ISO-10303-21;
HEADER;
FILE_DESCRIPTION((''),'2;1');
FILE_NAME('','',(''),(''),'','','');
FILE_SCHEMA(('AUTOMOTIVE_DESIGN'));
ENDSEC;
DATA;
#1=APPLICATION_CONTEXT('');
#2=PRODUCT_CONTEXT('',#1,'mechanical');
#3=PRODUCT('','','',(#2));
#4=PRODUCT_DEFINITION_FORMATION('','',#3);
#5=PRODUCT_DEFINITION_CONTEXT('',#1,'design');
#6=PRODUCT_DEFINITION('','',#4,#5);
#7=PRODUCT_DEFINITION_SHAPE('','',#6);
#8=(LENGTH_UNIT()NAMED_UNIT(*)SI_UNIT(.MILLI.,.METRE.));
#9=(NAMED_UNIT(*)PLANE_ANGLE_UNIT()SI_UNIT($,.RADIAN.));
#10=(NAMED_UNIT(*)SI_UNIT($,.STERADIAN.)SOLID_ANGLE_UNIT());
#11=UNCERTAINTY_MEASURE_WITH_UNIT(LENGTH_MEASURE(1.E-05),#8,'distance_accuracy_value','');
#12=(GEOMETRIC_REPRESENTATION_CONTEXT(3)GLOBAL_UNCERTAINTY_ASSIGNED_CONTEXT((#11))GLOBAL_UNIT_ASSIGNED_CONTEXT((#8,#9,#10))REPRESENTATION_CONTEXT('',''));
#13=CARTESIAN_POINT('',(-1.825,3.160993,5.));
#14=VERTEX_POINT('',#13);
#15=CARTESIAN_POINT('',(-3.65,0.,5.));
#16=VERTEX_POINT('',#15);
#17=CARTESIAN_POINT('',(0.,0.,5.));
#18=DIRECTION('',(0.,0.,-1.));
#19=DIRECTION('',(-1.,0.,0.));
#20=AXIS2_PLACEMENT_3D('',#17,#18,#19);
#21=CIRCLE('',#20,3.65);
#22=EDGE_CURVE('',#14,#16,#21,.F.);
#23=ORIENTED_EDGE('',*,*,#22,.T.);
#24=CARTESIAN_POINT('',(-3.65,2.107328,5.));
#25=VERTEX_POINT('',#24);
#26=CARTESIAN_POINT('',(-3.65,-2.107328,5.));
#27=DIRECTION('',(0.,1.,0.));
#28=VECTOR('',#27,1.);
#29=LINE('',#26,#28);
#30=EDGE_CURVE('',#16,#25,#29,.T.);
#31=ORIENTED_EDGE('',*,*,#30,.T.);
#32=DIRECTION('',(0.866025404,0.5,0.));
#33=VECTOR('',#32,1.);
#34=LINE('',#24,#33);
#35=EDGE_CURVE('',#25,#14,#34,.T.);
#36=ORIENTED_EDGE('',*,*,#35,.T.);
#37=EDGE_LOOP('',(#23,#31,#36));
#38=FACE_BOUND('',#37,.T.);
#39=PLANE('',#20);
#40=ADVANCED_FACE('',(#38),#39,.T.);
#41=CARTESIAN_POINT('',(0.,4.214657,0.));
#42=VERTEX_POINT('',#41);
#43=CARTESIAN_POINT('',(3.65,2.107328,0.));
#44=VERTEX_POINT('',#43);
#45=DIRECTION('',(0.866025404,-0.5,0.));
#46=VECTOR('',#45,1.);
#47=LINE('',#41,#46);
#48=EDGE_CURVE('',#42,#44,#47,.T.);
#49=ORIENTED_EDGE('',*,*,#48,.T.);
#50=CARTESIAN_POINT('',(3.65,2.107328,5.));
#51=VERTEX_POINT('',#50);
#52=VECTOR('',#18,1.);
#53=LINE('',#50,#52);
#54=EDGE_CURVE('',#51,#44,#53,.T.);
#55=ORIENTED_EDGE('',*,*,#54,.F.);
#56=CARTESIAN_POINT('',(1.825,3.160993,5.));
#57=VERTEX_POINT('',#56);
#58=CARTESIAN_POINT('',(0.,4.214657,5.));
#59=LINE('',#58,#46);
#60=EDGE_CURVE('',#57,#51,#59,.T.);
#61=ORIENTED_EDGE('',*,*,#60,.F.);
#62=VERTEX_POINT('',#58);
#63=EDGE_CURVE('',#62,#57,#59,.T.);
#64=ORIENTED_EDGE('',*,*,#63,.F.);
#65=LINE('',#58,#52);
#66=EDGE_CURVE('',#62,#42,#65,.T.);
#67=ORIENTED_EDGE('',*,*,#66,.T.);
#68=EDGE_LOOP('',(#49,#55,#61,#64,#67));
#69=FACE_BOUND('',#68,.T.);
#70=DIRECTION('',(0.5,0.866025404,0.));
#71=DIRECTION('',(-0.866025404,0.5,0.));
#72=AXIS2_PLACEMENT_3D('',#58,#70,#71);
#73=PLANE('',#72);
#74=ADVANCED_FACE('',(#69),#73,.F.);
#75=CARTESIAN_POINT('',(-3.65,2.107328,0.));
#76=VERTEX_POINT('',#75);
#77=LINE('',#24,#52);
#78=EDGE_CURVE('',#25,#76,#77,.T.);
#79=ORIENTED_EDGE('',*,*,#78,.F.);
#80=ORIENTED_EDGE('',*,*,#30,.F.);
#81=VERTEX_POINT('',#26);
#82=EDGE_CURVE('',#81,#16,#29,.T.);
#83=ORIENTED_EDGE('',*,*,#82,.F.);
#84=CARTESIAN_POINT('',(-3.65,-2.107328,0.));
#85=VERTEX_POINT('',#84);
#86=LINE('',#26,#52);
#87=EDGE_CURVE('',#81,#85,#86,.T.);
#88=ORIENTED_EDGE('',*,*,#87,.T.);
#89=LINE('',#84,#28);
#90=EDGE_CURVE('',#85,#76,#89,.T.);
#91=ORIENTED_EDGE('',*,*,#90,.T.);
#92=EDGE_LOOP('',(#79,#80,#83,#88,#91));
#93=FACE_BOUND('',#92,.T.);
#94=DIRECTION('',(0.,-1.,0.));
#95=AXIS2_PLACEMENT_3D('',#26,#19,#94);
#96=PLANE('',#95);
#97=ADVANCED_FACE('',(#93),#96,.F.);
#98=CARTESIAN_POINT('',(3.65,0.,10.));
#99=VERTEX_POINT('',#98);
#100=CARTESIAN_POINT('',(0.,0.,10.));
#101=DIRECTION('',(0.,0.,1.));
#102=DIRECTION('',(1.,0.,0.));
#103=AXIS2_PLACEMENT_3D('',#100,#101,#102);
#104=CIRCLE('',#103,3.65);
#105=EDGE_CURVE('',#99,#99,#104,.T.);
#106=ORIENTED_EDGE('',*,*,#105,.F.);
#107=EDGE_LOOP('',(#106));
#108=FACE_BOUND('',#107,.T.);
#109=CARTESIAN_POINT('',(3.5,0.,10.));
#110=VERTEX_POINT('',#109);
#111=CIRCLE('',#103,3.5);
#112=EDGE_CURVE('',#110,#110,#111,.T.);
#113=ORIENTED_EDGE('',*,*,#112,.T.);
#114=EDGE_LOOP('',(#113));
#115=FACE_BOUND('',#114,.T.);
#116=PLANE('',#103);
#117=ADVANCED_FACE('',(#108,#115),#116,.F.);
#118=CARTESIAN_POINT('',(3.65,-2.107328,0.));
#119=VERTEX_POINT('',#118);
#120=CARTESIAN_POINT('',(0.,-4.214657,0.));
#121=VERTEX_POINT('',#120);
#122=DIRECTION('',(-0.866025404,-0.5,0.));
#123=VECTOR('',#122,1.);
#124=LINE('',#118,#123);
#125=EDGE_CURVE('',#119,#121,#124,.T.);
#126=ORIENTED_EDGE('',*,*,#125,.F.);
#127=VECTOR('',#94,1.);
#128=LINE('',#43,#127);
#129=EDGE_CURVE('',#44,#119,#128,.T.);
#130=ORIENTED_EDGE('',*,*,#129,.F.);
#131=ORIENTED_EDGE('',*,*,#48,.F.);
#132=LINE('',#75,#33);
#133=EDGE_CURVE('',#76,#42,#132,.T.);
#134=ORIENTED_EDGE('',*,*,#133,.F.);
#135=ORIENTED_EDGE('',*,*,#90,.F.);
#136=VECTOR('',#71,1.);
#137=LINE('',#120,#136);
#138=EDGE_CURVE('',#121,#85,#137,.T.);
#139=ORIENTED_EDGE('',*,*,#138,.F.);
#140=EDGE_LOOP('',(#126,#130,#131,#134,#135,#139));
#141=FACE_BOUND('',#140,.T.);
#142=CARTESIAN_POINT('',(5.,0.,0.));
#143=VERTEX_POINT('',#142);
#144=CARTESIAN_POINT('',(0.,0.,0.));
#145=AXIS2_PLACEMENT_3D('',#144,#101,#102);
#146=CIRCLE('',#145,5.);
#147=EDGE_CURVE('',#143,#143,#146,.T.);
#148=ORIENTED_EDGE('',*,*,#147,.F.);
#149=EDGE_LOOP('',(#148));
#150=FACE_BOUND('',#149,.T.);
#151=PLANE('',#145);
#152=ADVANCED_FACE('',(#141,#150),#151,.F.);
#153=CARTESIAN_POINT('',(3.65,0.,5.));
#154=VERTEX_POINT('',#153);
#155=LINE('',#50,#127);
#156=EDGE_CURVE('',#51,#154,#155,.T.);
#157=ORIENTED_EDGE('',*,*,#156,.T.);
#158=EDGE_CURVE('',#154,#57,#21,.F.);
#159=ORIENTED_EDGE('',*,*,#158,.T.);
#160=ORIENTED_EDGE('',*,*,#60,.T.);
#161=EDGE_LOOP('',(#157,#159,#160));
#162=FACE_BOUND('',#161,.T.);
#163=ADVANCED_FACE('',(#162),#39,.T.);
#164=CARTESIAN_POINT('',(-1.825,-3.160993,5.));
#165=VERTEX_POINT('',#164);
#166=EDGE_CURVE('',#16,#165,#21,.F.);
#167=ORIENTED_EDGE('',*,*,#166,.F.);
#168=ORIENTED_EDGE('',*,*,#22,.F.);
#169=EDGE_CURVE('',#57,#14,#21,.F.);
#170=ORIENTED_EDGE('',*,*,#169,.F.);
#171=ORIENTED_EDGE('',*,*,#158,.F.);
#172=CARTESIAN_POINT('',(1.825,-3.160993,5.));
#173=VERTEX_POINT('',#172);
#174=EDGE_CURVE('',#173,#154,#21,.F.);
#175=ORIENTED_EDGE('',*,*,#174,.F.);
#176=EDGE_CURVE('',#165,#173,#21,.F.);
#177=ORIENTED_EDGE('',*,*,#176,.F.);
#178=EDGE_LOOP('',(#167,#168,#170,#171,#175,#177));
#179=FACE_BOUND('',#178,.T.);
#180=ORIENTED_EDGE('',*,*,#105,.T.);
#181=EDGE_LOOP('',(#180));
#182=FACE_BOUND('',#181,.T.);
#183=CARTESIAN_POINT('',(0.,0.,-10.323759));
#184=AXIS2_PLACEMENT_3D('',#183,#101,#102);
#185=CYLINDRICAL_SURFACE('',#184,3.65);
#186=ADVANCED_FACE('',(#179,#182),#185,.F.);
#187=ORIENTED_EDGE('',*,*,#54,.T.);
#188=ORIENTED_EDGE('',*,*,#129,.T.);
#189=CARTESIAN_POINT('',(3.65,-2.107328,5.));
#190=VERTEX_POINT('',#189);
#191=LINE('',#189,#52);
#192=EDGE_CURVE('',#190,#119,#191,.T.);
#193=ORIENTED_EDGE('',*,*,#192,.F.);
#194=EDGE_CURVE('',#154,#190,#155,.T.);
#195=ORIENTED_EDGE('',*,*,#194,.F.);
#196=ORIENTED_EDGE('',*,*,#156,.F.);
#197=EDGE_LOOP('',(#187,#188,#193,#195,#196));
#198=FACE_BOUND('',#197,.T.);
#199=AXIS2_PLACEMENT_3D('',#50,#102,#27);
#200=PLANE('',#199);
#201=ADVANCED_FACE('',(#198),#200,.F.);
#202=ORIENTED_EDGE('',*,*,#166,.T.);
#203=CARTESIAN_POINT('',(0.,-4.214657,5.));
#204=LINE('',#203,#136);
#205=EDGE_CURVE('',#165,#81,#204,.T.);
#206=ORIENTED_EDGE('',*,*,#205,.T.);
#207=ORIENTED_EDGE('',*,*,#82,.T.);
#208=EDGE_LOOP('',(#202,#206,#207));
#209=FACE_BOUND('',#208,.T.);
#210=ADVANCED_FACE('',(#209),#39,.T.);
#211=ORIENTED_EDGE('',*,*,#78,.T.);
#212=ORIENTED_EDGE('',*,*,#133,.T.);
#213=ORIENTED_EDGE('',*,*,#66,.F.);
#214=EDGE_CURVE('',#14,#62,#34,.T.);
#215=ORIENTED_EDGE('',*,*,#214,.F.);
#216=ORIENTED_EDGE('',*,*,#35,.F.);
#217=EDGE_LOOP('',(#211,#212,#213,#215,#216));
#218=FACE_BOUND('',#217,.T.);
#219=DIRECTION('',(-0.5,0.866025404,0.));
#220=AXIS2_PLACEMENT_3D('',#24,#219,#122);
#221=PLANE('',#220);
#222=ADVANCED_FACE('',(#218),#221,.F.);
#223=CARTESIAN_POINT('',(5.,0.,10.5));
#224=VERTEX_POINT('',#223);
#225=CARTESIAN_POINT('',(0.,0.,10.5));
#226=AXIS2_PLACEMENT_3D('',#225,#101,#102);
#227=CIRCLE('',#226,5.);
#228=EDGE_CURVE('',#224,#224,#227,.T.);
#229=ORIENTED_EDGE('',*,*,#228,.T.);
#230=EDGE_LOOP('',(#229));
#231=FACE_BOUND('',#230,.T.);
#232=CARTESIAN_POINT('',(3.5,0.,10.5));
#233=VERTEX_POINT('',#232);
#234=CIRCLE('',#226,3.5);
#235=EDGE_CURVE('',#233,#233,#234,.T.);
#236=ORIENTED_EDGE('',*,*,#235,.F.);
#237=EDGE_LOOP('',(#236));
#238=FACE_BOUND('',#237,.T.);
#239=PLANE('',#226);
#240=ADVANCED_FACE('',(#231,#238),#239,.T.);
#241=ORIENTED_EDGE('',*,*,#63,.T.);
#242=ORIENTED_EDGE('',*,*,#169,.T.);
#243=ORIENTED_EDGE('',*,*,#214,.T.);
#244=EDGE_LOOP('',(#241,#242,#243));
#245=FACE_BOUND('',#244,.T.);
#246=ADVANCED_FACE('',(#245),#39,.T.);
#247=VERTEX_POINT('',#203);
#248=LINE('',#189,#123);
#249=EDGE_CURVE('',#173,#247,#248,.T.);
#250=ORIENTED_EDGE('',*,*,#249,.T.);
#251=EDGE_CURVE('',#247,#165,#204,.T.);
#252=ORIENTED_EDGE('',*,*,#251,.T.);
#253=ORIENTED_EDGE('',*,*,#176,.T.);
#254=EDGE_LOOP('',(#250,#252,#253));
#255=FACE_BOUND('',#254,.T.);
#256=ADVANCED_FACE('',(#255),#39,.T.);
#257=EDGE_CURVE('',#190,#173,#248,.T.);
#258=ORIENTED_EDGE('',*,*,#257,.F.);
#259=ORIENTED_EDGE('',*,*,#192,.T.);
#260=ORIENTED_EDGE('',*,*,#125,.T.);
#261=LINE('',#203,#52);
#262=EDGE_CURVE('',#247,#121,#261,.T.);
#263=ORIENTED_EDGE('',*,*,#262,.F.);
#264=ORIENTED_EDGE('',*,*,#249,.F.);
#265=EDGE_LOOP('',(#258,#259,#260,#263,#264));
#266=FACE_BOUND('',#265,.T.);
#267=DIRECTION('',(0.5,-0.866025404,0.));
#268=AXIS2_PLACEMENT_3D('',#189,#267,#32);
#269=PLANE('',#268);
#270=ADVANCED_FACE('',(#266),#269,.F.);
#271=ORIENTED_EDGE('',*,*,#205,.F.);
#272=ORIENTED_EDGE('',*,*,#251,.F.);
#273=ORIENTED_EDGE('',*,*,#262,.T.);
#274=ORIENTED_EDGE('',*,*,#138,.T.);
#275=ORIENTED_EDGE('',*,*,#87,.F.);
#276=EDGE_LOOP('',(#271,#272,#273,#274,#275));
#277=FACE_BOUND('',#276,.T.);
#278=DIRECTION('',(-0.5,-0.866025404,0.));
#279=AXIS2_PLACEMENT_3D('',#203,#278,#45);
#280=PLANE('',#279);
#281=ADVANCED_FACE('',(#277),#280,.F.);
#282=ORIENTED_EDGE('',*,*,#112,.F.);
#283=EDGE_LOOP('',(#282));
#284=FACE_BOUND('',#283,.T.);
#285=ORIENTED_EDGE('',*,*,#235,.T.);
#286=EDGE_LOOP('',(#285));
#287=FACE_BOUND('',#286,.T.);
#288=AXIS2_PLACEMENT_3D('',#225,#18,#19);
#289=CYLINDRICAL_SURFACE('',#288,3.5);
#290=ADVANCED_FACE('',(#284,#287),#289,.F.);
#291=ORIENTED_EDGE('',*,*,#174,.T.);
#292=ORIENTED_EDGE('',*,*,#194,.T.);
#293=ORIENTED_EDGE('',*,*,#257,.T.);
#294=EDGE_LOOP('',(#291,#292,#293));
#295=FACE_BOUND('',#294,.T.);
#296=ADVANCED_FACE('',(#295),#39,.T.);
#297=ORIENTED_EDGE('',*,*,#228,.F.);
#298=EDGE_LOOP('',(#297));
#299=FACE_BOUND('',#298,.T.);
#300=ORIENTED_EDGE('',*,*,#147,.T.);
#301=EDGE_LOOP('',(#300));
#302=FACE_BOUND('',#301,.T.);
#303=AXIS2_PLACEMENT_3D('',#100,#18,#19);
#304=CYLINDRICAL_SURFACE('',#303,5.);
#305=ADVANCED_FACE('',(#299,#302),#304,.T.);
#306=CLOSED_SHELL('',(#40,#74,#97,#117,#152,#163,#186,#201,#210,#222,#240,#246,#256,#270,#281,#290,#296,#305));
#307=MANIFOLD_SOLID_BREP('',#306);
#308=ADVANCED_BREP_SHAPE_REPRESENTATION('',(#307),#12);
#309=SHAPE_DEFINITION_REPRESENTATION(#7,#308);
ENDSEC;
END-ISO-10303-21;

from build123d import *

# Parameters (mm, degrees)
SKETCH1_R           = 5
BOSS_EXTRUDE1_DEPTH = 10
SKETCH2_R           = 3.65
CUT_EXTRUDE1_DEPTH  = 10
CUT_EXTRUDE2_DEPTH  = 5
SKETCH5_R           = 5
SKETCH5_R_2         = 3.5
BOSS_EXTRUDE3_DEPTH = 0.5


with BuildPart() as part:
    # Sketch1 → Boss-Extrude1 (new body)
    with BuildSketch(Plane.XY):
        Circle(SKETCH1_R)
    extrude(amount=BOSS_EXTRUDE1_DEPTH)

    # Sketch2 → Cut-Extrude1 (cut)
    with BuildSketch(Plane.XY.offset(10)):
        Circle(SKETCH2_R)
    extrude(amount=-CUT_EXTRUDE1_DEPTH, mode=Mode.SUBTRACT)

    # Sketch4 → Cut-Extrude2 (cut)
    with BuildSketch(Plane(origin=(0, 0, 0), x_dir=(-1, 0, 0), z_dir=(0, 0, -1))):
        Polygon((0, 4.214656965), (-3.65, 2.107328483), (-3.65, -2.107328483), (0, -4.214656965), (3.65, -2.107328483), (3.65, 2.107328483), align=None)
    extrude(amount=-CUT_EXTRUDE2_DEPTH, mode=Mode.SUBTRACT)

    # Sketch5 → Boss-Extrude3 (add)
    with BuildSketch(Plane.XY.offset(10)):
        Circle(SKETCH5_R)
        Circle(SKETCH5_R_2, mode=Mode.SUBTRACT)
    extrude(amount=BOSS_EXTRUDE3_DEPTH)


solid = part.part
